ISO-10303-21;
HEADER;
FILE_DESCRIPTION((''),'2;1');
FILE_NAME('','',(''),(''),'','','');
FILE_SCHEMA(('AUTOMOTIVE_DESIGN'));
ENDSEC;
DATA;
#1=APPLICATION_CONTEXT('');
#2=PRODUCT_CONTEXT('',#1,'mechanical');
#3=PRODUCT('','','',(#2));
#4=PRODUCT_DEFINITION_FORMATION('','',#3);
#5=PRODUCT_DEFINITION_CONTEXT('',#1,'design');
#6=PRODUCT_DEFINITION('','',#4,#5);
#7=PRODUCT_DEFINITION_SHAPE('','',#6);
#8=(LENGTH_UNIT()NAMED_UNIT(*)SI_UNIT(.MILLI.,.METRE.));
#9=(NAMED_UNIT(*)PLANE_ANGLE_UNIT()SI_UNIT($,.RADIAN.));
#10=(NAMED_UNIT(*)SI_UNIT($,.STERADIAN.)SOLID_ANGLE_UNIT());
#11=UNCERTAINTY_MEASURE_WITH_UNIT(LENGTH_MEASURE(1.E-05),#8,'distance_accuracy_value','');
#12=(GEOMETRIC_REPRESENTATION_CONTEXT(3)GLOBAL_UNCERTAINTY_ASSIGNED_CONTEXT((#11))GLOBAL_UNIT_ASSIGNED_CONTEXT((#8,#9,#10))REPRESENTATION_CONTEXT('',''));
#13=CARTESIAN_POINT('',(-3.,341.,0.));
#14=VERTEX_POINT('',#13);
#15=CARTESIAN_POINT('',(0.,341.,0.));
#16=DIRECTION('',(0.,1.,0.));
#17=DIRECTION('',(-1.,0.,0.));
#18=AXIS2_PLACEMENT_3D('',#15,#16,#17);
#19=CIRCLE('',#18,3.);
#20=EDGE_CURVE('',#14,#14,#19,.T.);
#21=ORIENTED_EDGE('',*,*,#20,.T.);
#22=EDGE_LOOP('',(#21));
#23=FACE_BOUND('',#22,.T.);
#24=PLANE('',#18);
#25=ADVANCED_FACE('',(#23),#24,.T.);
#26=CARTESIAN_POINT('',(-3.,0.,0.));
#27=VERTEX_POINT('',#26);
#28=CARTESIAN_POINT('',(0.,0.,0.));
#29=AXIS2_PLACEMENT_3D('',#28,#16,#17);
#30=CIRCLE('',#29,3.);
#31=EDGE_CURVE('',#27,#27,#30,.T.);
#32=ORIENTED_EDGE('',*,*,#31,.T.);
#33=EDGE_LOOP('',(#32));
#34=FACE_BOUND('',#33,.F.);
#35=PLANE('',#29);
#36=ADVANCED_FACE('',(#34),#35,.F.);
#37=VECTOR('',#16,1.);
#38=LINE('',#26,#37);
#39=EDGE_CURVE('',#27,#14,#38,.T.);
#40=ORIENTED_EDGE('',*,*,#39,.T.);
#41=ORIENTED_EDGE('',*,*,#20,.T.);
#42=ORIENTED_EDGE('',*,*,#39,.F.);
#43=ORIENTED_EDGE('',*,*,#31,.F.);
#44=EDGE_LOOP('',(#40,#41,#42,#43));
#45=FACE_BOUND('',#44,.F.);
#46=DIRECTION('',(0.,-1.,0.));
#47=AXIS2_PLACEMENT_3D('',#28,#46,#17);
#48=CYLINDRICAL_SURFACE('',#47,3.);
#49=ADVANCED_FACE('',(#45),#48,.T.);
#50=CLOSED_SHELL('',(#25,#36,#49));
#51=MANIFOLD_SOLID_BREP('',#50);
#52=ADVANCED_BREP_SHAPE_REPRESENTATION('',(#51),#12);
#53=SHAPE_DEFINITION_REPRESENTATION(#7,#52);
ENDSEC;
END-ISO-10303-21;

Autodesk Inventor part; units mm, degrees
ref_plane "YZ Plane" through (0, 0, 0) normal (1, 0, 0) x (0, 1, 0)
ref_plane "XZ Plane" through (0, 0, 0) normal (0, 1, 0) x (-1, 0, 0)
ref_plane "XY Plane" through (0, 0, 0) normal (0, 0, 1) x (1, 0, 0)
sketch "Sketch1" plane through (0, 0, 0) normal (0, 1, 0) x (-1, 0, 0)
  circle A0 centre (0, 0) radius 3
  dimension "d0" = 6
extrude "Extrusion1" add sketch "Sketch1" along normal blind 341
properties part number "løbestang" material "Steel"
